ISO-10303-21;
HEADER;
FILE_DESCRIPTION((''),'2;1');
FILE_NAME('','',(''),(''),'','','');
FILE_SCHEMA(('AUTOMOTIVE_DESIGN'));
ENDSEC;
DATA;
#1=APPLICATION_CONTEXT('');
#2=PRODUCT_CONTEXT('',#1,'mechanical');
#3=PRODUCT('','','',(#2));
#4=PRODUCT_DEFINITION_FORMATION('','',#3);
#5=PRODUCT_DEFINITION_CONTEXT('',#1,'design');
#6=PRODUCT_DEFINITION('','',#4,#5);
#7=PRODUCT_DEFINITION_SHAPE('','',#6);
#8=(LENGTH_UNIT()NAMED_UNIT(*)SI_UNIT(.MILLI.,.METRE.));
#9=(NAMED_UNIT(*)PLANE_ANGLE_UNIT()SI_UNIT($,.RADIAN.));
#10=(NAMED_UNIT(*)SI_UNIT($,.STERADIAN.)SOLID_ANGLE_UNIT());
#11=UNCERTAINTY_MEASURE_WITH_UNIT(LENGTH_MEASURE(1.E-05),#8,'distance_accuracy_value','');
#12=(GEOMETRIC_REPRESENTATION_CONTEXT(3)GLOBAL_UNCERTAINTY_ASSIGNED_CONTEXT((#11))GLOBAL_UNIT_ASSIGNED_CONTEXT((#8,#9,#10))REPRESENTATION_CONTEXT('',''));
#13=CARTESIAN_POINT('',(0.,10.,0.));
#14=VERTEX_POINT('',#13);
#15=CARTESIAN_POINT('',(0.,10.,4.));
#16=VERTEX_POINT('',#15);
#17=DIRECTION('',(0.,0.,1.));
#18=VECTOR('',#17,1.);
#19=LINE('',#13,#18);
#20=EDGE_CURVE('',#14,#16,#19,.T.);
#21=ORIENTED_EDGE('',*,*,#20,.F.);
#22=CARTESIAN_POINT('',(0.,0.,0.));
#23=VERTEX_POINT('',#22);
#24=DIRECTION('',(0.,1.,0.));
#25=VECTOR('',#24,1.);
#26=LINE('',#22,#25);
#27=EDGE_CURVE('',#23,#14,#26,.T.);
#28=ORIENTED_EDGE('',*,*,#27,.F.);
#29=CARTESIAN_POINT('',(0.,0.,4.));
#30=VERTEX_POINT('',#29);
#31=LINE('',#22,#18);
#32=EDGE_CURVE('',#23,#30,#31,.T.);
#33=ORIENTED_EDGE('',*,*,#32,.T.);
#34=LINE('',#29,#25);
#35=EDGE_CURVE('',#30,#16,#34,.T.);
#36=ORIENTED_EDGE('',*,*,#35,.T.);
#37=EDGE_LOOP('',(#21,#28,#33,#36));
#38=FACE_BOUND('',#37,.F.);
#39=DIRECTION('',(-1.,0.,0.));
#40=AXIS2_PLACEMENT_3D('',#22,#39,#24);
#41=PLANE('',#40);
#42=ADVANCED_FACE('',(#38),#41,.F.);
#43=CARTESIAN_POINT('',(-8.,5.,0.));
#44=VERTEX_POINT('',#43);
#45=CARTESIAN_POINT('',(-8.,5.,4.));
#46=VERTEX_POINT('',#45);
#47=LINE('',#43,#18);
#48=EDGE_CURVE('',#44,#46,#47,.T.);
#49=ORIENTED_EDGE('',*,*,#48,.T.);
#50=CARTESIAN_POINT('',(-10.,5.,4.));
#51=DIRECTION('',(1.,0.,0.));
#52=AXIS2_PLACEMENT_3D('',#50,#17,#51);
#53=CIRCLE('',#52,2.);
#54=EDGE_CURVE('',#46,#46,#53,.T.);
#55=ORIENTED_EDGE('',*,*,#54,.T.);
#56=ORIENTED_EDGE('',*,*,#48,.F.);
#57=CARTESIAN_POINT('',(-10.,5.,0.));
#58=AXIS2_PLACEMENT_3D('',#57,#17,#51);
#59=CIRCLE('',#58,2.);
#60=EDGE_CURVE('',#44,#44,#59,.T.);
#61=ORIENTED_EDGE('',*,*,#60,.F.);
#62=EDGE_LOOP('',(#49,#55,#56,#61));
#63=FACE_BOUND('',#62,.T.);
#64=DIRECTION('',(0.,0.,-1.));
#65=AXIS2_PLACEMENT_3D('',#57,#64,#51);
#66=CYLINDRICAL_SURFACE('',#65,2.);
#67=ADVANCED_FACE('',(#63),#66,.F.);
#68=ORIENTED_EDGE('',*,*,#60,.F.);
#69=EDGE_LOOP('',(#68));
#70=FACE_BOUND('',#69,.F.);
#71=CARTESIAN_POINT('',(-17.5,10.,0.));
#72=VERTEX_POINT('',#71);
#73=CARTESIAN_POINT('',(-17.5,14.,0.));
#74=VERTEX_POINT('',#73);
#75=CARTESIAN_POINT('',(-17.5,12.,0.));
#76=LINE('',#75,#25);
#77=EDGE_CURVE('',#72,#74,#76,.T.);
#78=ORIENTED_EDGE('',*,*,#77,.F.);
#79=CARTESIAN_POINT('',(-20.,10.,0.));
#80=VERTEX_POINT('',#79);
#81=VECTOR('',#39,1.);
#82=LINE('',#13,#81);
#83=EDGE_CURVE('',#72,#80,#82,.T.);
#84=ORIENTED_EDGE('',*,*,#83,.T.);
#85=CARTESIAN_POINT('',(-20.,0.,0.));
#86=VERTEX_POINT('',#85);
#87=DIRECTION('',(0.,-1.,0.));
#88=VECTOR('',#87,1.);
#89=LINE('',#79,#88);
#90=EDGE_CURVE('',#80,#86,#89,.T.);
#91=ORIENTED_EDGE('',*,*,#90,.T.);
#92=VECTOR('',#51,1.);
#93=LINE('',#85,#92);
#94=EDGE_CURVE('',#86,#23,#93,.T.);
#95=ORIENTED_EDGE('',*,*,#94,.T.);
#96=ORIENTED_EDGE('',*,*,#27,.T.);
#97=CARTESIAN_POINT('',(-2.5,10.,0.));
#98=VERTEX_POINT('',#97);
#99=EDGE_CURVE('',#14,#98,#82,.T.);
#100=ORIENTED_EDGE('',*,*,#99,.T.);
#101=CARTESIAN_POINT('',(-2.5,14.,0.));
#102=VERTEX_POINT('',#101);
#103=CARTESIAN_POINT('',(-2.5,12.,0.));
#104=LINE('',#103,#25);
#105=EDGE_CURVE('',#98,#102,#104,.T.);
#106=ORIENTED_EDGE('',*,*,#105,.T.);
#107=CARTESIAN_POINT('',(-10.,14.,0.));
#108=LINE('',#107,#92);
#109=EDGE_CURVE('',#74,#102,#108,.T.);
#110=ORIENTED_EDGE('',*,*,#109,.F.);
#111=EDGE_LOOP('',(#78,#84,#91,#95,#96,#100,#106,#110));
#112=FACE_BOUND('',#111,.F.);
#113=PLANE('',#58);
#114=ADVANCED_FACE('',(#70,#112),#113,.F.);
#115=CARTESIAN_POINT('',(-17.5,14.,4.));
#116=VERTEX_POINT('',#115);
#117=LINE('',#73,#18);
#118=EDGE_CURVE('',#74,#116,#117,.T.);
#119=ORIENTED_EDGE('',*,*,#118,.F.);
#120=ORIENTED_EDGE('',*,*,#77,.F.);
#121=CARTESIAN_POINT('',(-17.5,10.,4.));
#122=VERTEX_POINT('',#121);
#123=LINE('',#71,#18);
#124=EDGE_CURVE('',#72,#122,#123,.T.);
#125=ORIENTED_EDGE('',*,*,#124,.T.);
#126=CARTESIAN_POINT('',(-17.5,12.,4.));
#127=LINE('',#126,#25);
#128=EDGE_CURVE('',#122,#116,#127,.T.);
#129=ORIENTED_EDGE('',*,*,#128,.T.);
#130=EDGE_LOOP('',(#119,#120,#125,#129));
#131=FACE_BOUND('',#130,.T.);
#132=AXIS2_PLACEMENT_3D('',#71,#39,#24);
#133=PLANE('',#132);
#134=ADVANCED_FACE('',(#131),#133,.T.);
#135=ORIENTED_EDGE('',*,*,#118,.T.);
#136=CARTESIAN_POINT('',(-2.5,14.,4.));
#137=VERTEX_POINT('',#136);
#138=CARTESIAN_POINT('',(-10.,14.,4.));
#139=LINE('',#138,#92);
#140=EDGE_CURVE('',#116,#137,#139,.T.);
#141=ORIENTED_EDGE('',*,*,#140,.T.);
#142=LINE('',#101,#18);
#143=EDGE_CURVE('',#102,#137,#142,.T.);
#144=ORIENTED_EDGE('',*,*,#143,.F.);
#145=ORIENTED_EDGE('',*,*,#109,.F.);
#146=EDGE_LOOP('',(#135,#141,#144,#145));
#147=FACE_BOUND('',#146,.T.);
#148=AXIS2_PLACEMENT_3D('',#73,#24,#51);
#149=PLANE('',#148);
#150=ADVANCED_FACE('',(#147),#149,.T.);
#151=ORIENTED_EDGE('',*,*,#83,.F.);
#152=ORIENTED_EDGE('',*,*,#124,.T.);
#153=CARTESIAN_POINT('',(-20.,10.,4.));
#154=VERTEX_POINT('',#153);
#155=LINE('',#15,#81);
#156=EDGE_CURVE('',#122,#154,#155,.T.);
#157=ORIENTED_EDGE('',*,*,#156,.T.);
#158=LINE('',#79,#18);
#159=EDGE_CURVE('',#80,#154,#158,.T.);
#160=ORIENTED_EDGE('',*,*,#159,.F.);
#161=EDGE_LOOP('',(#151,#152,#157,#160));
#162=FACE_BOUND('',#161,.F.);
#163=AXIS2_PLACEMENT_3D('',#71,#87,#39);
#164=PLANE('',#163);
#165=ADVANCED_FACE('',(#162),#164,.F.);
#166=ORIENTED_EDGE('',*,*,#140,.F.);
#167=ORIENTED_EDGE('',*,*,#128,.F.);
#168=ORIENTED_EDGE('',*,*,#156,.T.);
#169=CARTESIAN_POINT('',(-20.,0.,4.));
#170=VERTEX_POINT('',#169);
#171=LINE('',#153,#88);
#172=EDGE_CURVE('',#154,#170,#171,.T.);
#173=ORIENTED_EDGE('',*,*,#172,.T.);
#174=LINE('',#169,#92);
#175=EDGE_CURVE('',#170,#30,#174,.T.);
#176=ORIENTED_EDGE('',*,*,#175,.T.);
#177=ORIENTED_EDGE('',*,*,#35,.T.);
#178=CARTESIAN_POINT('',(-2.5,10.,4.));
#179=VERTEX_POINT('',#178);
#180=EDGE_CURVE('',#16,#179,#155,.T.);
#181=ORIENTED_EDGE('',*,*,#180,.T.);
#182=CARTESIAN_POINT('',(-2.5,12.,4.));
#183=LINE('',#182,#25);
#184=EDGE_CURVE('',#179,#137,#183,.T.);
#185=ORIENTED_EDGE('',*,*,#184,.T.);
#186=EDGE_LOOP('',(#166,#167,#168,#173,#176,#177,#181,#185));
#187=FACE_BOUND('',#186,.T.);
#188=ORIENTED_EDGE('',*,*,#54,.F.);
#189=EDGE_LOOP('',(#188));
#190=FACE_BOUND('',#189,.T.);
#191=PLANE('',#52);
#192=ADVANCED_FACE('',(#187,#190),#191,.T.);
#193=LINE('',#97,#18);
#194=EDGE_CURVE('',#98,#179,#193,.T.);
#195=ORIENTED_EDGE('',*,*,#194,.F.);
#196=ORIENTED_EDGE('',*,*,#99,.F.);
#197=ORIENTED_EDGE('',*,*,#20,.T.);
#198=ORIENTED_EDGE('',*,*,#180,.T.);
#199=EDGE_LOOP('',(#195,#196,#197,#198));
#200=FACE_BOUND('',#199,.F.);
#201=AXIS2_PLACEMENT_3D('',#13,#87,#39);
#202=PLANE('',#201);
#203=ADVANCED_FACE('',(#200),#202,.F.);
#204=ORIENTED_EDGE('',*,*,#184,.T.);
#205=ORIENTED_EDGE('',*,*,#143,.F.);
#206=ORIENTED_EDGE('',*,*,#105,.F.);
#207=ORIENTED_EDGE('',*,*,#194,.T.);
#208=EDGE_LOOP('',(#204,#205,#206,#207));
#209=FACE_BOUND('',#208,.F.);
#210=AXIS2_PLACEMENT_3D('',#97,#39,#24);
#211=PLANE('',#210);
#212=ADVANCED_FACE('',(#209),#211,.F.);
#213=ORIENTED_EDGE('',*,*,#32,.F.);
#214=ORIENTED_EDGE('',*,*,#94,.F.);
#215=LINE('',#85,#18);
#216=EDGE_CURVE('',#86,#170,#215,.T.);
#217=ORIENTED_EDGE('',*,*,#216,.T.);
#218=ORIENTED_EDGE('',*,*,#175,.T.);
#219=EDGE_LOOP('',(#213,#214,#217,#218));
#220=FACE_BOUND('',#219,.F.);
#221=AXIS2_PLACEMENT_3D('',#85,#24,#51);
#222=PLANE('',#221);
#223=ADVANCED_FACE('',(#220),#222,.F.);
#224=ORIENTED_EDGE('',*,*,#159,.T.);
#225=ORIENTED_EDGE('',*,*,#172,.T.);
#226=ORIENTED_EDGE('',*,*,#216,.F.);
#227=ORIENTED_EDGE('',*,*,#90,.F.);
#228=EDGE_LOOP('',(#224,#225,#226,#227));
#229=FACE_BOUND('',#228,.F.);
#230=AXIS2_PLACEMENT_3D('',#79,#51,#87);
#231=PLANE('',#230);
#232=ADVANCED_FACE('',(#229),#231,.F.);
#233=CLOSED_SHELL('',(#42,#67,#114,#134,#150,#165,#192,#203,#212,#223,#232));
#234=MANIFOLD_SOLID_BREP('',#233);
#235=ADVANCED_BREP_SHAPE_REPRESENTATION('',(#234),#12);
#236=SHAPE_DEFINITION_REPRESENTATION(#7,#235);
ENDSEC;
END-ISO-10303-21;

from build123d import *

# Parameters (mm, degrees)
F0_R     = 2
F0_W     = 15
F0_H     = 4
F1_DEPTH = 4


with BuildPart() as f1:
    # F0 (on Top) → F1 (new body)
    with BuildSketch(Plane.XY):
        Polygon((-20, 0), (0, 0), (0, 10), (-2.5, 10), (-17.5, 10), (-20, 10), align=None)
        with Locations((-10, 5)):
            Circle(F0_R, mode=Mode.SUBTRACT)
        with Locations((-10, 12)):
            Rectangle(F0_W, F0_H)
    extrude(amount=F1_DEPTH)


solid = f1.part
